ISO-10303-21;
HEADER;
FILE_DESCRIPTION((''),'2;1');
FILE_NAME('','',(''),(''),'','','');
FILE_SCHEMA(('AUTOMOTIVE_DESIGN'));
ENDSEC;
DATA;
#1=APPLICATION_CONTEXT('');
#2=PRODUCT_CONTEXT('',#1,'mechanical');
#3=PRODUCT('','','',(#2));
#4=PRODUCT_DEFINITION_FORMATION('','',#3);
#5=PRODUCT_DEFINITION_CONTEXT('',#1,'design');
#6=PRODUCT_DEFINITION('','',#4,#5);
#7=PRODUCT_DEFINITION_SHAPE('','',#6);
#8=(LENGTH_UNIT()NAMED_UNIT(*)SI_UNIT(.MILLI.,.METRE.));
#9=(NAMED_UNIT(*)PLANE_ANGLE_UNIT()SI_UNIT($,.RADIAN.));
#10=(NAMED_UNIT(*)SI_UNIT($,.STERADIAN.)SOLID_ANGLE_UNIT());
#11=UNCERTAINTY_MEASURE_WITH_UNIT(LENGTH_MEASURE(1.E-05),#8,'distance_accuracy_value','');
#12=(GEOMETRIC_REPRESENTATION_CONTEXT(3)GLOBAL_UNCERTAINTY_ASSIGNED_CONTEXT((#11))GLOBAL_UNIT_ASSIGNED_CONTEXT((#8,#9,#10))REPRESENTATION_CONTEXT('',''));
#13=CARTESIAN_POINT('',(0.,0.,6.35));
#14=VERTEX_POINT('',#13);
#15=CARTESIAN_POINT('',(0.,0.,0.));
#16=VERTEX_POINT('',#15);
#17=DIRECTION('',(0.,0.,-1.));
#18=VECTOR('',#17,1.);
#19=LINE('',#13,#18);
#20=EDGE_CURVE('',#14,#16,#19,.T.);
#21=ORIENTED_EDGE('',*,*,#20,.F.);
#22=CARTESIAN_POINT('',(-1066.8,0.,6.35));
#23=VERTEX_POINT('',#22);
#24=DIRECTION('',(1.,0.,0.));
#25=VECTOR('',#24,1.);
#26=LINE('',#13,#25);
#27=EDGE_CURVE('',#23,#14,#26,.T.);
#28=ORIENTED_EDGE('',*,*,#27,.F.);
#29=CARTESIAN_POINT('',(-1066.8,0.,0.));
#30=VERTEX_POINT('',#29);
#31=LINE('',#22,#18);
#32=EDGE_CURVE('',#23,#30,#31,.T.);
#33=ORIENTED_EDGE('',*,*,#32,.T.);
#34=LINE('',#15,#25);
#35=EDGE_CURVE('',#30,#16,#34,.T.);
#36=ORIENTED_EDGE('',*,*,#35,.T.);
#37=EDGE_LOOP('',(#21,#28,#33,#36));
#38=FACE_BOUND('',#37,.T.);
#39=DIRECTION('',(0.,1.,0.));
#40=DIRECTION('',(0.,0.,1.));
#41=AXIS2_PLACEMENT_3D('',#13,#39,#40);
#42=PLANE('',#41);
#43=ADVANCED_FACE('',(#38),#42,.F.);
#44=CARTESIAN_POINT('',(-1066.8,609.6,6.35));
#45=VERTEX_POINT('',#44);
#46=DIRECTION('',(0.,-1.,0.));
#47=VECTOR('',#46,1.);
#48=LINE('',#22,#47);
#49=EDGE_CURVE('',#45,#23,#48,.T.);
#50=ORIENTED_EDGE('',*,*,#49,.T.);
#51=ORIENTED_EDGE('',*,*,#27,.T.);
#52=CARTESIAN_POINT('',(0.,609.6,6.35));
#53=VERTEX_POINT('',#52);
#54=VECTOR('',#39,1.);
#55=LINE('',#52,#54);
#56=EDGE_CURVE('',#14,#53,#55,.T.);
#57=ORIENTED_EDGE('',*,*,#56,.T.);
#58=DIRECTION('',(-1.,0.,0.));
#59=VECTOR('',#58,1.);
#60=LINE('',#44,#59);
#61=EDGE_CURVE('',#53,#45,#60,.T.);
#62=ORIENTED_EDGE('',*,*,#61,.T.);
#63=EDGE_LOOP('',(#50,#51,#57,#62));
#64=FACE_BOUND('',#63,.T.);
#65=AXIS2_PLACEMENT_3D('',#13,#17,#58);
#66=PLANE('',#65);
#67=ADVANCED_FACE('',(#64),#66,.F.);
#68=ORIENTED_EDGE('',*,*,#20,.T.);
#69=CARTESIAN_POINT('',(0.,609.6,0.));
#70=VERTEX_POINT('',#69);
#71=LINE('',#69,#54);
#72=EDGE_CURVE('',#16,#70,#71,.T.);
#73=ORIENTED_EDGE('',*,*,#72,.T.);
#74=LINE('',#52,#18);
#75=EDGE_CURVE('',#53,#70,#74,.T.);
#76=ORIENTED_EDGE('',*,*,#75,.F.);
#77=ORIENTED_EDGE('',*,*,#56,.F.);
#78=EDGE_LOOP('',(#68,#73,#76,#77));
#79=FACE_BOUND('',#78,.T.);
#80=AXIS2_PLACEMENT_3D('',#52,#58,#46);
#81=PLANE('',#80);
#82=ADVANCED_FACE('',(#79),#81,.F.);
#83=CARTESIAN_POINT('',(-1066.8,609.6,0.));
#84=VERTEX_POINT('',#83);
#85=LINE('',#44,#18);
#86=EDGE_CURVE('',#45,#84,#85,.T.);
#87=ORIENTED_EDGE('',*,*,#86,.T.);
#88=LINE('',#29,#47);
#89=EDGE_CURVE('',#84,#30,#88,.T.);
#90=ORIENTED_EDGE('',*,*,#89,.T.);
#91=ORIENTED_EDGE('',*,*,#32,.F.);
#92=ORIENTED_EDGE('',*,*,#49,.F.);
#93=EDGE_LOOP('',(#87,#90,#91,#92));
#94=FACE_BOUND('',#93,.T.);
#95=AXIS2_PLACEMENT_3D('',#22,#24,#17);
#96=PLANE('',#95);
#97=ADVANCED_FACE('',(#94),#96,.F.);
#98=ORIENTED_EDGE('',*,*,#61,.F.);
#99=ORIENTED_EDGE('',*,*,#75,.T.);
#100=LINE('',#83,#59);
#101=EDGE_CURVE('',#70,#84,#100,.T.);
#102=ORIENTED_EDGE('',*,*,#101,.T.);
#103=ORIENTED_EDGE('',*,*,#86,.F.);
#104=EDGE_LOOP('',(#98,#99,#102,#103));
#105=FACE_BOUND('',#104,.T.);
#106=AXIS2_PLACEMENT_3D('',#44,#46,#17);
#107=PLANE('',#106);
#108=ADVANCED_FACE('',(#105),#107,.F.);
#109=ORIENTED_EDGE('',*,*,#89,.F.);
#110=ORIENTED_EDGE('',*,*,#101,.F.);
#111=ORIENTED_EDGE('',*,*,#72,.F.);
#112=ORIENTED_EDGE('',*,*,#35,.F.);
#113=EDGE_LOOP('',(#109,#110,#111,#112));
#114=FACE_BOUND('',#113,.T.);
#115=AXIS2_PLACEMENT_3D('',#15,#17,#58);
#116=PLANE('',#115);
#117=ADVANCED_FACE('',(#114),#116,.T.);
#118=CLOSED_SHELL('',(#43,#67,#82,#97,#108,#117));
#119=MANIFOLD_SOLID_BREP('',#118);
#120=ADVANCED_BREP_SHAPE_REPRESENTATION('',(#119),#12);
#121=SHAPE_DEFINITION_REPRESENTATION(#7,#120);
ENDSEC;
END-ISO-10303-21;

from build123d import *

# Parameters (mm, degrees)
SKETCH1_W           = 1066.8
SKETCH1_H           = 609.6
BOSS_EXTRUDE1_DEPTH = 6.35


with BuildPart() as part:
    # Sketch1 → Boss-Extrude1 (new body)
    with BuildSketch(Plane.XY):
        with Locations((-533.4, 304.8)):
            Rectangle(SKETCH1_W, SKETCH1_H)
    extrude(amount=BOSS_EXTRUDE1_DEPTH)


solid = part.part
